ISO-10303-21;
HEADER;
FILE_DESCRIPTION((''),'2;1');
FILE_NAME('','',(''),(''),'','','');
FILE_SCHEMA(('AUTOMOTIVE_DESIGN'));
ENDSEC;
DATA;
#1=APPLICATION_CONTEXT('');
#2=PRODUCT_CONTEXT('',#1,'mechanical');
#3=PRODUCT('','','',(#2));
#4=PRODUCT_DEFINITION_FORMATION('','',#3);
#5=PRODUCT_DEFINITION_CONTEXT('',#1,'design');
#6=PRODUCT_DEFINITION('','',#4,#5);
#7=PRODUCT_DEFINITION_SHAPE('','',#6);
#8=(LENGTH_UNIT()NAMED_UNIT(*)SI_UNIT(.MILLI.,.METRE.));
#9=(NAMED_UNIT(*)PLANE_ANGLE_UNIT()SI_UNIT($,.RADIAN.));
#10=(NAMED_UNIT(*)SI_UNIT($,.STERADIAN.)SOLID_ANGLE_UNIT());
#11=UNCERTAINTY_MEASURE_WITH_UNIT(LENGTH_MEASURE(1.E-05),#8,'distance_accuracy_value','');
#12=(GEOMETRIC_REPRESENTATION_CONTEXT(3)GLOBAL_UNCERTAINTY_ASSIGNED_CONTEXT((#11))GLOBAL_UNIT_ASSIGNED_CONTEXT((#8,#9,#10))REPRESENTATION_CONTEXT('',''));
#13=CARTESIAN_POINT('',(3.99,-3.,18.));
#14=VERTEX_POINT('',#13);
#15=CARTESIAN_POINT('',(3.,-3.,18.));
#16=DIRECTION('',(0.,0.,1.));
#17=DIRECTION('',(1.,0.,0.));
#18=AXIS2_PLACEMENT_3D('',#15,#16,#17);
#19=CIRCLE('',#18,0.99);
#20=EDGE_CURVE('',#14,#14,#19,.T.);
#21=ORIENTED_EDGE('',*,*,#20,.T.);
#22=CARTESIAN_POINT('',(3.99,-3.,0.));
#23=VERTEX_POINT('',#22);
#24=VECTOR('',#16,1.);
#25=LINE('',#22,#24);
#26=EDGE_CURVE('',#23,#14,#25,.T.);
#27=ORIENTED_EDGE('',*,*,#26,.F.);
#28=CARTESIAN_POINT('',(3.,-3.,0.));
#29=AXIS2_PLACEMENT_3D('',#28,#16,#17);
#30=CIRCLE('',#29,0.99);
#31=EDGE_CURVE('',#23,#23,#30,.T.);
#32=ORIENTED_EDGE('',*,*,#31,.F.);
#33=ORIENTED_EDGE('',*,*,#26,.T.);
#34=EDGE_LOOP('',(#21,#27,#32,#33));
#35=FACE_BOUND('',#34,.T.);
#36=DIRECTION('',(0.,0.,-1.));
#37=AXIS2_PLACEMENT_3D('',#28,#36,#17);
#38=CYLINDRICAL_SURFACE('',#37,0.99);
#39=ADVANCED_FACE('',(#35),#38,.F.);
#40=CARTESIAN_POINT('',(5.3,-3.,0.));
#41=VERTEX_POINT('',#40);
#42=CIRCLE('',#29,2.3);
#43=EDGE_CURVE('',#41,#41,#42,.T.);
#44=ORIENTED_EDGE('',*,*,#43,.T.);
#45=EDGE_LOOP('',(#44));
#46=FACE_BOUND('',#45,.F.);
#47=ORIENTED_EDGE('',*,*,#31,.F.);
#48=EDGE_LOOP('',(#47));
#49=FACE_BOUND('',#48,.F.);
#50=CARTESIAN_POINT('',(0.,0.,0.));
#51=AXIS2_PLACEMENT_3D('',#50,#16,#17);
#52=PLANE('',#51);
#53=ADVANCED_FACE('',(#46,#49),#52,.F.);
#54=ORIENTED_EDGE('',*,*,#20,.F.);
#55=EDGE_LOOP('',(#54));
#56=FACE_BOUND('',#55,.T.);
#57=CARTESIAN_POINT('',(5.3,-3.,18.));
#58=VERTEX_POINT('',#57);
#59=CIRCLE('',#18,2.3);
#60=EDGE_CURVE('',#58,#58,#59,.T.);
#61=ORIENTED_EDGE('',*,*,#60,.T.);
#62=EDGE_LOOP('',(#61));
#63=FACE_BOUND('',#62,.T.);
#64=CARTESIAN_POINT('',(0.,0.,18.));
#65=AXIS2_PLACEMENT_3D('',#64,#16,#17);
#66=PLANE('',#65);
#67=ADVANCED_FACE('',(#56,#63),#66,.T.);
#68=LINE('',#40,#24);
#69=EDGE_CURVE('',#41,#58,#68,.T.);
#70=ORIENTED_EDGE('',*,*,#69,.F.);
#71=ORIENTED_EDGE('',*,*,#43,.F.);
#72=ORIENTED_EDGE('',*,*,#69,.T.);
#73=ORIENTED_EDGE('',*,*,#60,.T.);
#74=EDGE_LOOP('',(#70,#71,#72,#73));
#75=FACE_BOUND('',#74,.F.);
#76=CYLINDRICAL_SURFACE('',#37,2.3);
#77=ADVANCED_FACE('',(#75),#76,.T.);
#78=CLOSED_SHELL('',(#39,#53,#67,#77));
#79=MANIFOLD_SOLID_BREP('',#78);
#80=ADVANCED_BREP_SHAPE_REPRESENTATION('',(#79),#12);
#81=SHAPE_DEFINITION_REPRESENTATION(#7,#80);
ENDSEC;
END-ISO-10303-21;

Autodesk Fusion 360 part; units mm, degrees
sketch "Skizze1" plane through (0, 0, 0) normal (0, 0, 1) x (1, 0, 0)
  circle A0 centre (3, -3) radius 0.99
  circle A1 centre (3, -3) radius 2.3
  dimension "d3" = 1.98
  dimension "d11" = 4.6
extrude "Extrusion1" add sketch "Skizze1" along normal blind 18
equation "d3 = 1.8 * 1.1 mm"
